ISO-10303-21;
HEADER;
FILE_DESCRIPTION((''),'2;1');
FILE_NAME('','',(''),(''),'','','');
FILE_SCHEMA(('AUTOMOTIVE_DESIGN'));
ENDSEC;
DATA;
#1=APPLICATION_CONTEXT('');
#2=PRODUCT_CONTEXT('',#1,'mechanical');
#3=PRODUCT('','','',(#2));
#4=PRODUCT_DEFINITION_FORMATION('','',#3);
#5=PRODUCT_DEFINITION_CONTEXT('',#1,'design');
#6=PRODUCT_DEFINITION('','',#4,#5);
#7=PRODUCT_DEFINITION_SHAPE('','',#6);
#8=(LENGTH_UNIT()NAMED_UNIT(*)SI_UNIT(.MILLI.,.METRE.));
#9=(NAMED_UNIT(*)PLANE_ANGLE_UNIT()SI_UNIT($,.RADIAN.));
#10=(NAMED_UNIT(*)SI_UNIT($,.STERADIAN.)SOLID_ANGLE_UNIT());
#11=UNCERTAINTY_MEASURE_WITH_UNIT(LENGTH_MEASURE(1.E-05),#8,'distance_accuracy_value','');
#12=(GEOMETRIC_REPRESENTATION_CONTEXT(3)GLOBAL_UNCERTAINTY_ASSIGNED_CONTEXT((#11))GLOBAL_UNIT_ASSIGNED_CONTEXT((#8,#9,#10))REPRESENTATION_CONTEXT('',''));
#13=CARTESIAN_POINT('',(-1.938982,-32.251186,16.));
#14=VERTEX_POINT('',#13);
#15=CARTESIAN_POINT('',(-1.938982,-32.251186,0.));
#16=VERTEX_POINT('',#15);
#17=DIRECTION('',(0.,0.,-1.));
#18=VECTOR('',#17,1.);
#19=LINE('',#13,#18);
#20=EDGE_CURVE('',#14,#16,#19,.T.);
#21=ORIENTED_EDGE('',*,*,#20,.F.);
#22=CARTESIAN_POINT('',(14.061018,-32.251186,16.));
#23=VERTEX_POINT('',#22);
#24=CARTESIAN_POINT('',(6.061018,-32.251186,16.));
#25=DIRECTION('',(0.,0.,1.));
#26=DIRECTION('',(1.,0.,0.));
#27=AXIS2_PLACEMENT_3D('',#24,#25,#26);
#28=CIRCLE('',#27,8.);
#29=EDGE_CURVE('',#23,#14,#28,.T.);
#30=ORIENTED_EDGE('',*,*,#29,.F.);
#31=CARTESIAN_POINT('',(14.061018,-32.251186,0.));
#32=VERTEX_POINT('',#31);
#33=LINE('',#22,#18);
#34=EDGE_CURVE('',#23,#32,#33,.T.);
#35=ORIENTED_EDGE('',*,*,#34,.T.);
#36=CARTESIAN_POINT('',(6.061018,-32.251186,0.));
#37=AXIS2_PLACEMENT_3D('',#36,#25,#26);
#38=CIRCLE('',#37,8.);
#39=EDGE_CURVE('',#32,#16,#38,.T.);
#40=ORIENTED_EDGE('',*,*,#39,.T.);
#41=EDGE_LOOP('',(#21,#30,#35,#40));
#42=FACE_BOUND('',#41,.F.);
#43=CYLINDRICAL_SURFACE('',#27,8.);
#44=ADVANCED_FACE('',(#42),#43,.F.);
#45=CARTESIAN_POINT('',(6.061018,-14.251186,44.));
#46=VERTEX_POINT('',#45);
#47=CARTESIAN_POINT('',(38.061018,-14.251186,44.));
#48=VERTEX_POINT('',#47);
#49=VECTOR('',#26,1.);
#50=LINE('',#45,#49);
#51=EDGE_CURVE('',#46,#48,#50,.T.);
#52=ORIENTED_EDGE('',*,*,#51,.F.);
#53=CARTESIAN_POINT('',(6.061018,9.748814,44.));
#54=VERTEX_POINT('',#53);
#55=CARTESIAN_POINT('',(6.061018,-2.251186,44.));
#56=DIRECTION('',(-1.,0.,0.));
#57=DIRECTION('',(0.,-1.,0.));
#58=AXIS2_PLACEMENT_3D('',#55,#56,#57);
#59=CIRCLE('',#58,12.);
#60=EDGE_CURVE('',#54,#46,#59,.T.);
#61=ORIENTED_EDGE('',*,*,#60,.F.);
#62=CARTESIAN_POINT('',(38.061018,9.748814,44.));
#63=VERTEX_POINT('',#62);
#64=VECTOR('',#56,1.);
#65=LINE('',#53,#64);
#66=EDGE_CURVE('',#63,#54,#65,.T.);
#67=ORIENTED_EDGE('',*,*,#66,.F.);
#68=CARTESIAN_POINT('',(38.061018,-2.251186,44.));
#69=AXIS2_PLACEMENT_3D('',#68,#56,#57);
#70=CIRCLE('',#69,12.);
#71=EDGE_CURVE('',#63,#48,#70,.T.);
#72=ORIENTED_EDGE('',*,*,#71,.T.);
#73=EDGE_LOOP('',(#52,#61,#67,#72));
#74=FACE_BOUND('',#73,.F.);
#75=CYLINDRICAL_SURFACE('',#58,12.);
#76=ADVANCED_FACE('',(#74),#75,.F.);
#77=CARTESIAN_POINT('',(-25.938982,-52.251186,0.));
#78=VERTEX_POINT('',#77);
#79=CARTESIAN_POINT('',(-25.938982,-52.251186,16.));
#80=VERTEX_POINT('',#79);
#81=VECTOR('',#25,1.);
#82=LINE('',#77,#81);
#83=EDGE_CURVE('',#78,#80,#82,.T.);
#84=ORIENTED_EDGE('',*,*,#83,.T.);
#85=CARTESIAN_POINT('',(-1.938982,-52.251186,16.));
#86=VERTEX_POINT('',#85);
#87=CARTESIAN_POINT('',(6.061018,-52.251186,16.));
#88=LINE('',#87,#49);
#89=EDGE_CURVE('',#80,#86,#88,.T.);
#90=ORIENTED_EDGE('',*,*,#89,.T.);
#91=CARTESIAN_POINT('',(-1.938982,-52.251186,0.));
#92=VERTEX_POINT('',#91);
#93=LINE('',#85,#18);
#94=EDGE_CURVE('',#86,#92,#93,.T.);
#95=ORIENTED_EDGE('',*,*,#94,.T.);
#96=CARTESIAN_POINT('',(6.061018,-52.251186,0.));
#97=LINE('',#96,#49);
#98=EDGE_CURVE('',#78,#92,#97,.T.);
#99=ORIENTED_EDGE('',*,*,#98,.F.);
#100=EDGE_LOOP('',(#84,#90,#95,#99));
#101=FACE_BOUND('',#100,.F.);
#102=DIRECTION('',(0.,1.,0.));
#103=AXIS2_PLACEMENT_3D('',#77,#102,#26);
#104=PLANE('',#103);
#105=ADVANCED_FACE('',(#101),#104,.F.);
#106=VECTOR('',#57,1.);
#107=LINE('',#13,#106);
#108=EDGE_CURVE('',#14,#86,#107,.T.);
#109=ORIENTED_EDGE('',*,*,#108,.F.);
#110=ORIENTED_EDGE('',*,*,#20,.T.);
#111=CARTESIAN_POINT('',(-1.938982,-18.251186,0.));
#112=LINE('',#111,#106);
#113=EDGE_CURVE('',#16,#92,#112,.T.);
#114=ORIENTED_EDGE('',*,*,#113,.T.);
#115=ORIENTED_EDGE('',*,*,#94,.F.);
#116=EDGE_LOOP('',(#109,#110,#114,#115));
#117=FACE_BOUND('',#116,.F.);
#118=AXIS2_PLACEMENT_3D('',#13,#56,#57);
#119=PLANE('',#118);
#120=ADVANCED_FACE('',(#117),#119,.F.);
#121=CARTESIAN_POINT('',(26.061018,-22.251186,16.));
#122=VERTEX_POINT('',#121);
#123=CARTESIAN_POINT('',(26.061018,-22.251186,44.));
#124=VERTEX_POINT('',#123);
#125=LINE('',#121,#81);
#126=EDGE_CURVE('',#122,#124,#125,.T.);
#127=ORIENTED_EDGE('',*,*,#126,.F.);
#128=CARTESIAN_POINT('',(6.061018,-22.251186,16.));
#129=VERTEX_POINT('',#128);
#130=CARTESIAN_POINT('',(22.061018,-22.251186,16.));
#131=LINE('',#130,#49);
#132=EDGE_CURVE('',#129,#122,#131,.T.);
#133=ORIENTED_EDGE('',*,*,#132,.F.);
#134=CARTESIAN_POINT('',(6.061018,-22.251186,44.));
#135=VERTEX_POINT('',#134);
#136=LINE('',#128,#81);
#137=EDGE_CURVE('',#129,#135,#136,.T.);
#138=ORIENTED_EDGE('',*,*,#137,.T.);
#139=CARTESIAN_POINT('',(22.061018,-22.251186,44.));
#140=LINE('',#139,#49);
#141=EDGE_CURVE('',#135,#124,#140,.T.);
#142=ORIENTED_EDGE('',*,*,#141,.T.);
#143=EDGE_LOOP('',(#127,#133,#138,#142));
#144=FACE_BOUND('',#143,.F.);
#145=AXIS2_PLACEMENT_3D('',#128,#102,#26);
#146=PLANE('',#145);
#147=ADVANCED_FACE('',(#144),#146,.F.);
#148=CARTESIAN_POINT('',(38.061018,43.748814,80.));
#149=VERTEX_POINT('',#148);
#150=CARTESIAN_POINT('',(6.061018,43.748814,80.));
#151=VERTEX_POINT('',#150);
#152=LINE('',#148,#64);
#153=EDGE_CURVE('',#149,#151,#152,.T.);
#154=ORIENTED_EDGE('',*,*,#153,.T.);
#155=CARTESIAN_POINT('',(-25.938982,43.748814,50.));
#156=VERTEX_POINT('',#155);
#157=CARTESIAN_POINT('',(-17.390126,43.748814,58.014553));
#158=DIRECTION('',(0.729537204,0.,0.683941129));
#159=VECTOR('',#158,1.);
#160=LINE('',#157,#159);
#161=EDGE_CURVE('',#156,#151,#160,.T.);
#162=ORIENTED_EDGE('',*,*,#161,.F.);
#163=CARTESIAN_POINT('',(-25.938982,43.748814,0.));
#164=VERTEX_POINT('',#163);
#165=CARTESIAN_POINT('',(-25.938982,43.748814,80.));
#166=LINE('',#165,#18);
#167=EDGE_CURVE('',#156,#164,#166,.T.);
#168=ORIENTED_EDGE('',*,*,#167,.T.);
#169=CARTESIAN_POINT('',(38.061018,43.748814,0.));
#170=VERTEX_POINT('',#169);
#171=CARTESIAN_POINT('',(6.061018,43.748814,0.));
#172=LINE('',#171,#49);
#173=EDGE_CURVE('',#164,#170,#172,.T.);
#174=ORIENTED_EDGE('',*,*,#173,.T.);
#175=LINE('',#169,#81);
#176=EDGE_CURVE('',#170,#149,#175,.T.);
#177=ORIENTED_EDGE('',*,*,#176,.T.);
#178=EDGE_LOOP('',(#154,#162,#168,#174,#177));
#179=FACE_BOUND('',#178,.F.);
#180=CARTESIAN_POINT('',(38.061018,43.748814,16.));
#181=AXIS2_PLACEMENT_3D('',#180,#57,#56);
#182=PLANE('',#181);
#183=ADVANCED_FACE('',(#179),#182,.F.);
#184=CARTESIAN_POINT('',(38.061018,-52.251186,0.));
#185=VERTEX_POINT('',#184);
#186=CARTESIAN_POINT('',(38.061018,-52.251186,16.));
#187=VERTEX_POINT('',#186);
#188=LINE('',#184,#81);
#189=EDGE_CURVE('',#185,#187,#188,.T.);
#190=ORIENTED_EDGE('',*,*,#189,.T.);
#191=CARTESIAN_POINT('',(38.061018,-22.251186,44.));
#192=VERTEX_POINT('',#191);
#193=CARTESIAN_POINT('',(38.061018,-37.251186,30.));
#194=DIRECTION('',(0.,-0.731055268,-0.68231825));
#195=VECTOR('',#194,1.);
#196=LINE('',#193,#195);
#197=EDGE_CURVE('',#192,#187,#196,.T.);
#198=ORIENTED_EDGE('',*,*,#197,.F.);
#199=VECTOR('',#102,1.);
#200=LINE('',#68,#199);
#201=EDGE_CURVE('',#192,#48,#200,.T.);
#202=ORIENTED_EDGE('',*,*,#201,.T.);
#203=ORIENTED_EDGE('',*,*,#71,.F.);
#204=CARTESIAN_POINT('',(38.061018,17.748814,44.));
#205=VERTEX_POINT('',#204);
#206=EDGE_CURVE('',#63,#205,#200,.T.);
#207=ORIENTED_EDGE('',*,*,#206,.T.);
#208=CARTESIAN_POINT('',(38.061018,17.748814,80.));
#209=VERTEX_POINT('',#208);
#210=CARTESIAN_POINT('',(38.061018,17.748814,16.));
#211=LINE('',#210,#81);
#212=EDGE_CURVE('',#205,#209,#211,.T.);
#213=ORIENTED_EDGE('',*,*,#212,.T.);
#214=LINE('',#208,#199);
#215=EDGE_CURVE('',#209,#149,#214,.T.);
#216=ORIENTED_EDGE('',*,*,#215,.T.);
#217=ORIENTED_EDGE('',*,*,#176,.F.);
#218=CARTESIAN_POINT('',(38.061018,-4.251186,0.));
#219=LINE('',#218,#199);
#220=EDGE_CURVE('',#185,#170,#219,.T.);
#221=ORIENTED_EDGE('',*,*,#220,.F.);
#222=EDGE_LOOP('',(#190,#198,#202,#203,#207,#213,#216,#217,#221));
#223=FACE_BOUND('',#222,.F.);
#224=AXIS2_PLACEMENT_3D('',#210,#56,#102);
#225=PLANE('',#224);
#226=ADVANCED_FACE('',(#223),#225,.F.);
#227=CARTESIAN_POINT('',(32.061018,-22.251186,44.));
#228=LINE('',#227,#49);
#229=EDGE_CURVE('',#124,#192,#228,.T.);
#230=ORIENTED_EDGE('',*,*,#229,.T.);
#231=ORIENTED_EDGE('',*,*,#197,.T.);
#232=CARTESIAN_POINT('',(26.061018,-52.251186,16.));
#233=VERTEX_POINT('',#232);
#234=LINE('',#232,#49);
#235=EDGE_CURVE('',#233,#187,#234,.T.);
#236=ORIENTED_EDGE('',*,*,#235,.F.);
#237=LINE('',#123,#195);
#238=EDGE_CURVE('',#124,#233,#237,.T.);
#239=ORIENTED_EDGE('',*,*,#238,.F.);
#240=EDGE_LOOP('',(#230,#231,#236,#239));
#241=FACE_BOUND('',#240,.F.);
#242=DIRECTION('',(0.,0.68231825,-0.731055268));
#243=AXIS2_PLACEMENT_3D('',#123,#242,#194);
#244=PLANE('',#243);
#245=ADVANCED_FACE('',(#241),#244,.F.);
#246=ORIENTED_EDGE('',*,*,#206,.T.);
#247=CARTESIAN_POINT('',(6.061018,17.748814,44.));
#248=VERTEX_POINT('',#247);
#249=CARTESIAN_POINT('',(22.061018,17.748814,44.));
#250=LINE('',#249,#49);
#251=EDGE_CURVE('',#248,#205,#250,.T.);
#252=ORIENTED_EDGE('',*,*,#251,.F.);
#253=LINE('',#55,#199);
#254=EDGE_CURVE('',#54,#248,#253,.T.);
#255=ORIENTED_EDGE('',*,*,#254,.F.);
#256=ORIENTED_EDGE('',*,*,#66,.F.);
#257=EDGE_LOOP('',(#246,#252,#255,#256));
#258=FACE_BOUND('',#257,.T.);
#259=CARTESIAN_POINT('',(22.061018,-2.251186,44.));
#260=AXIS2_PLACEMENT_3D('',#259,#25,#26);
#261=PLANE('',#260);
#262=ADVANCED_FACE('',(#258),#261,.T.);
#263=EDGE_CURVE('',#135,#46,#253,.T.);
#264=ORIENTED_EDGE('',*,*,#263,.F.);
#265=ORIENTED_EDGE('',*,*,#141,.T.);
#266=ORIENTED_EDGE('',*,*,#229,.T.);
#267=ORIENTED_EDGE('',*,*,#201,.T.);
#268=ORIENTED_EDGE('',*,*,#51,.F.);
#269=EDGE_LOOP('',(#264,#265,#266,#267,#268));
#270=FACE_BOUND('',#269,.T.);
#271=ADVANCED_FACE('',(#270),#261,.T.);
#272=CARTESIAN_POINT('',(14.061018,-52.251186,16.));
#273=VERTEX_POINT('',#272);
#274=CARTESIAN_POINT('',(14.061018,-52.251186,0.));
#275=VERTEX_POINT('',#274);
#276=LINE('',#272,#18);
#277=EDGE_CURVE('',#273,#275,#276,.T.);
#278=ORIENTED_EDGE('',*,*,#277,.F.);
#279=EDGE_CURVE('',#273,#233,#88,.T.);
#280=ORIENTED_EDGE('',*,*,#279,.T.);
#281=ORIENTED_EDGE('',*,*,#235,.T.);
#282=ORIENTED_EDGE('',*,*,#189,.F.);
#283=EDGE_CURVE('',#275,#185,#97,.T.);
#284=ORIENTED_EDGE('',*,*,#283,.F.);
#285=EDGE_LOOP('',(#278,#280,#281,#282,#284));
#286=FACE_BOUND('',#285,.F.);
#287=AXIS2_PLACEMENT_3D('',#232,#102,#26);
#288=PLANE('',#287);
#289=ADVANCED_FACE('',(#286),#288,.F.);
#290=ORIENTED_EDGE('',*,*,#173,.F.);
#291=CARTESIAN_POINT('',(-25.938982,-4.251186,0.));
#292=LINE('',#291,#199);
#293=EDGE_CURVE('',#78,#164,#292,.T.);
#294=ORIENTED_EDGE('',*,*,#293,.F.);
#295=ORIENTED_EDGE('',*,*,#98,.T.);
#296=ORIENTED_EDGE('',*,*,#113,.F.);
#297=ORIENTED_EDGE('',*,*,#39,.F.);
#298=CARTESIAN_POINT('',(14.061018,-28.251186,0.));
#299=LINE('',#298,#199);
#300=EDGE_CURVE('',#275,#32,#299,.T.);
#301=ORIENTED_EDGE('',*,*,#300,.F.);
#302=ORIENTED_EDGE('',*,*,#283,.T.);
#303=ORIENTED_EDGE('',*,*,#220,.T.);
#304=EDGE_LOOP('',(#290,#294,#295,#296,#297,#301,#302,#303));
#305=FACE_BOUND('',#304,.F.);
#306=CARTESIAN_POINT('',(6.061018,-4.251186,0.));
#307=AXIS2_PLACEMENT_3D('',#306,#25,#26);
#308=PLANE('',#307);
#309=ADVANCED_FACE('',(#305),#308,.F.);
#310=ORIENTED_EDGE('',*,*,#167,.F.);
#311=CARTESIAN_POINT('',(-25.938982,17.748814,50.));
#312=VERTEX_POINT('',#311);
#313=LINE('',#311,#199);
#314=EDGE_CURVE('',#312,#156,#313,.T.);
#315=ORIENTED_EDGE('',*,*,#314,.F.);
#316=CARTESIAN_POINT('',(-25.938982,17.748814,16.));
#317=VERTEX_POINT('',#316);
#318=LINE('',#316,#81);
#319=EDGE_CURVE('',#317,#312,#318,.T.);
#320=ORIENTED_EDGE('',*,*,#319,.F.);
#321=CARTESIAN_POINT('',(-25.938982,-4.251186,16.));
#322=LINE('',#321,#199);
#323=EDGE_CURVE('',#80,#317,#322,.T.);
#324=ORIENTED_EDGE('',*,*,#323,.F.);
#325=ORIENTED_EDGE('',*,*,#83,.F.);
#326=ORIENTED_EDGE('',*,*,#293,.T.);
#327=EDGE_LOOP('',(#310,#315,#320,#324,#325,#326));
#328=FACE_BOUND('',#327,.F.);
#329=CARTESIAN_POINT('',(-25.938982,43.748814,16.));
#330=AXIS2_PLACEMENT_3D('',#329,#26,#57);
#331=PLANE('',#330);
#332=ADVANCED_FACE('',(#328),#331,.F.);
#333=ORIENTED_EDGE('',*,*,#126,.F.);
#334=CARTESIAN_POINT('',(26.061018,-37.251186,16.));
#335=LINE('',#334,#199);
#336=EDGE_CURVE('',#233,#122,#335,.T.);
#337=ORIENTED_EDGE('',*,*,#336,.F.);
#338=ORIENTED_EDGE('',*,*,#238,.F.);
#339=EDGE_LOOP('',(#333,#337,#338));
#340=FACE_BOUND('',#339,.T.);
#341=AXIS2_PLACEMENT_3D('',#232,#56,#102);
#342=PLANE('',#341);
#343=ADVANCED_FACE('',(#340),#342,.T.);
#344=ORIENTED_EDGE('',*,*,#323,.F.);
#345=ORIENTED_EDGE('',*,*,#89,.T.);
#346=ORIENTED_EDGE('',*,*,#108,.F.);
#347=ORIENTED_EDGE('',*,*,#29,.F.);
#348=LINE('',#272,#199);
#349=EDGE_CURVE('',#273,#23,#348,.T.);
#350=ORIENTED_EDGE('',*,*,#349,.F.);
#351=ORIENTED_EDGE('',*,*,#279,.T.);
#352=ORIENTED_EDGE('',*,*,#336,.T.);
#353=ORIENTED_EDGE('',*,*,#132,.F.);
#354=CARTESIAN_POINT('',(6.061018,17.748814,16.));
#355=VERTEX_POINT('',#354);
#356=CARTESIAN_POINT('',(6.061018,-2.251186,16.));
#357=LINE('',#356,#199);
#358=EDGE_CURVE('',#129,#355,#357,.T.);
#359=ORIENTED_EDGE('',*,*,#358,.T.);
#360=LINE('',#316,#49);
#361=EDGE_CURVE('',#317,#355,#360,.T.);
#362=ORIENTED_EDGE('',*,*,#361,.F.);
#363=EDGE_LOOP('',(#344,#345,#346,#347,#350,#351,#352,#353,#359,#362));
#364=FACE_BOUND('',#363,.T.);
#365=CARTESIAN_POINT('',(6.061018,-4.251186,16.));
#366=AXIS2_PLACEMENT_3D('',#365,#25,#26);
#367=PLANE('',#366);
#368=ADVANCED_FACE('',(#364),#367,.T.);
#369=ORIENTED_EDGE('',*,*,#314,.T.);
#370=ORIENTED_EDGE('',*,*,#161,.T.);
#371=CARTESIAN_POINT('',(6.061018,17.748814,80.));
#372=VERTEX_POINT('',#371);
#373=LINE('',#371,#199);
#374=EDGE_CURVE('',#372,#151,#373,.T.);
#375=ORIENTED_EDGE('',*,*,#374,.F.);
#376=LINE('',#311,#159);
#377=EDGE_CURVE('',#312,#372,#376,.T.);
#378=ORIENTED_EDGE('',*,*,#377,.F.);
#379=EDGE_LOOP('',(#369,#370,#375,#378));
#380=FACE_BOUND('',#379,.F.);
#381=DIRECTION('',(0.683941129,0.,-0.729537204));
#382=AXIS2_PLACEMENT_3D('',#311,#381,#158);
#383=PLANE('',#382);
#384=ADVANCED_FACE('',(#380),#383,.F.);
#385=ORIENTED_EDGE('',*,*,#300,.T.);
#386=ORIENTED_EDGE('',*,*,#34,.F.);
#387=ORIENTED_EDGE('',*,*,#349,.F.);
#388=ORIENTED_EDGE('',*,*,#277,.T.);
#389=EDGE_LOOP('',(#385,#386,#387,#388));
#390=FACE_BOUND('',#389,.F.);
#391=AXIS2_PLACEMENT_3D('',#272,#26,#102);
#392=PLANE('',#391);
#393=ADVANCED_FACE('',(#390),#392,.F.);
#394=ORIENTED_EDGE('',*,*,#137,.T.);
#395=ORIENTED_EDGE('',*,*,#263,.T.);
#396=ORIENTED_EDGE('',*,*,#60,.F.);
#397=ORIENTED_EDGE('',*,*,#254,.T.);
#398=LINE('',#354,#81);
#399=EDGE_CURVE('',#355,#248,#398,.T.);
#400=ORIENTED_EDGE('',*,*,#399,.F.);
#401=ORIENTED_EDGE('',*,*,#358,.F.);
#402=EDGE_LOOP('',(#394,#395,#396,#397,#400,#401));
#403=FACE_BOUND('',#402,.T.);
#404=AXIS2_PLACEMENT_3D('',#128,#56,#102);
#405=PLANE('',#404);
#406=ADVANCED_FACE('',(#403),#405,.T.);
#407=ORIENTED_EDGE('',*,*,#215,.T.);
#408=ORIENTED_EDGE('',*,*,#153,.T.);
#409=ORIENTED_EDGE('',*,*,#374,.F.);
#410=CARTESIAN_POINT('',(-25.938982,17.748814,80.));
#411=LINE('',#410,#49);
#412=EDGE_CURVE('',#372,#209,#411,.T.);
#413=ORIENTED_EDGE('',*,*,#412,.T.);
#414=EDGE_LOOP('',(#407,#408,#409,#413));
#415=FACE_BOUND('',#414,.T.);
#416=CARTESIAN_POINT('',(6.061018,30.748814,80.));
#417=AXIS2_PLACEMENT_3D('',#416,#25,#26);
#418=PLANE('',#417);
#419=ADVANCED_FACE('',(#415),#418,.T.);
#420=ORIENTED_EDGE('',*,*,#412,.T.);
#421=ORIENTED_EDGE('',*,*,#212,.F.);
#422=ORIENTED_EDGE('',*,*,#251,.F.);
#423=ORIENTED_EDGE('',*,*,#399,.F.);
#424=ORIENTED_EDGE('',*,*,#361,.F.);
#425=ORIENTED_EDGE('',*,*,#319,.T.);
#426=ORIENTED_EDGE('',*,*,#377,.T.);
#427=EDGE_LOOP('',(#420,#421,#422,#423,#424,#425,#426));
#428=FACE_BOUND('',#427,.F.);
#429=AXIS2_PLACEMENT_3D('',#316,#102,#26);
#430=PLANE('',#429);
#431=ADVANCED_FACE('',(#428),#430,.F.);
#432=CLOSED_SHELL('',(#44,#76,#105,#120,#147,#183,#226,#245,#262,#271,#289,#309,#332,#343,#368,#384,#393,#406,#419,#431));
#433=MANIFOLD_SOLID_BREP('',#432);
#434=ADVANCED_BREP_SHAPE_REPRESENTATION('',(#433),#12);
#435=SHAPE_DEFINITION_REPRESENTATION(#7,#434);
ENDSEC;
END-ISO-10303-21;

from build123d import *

# Parameters (mm, degrees)
F0_W      = 64
F0_H      = 96
F1_DEPTH  = 16
F3_DEPTH  = 25
F4_W      = 12
F4_H      = 30
F5_DEPTH  = 28
F7_DEPTH  = 25
F8_W      = 32
F8_H      = 40
F9_DEPTH  = 28
F10_R     = 12
F11_DEPTH = 52
F13_DEPTH = 64
F15_DEPTH = 30


with BuildPart() as f1:
    # F0 (on Top) → F1 (new body)
    with BuildSketch(Plane.XY):
        with Locations((6.061017856, -4.2511862218)):
            Rectangle(F0_W, F0_H)
    extrude(amount=F1_DEPTH)

    # F2 (on face) → F3 (cut)
    with BuildSketch(Plane.XY.offset(16)):
        with BuildLine():
            Line((-1.938982144, -32.2511862218), (-1.938982144, -52.2511862218))
            Line((-1.938982144, -52.2511862218), (14.061017856, -52.2511862218))
            Line((14.061017856, -52.2511862218), (14.061017856, -32.2511862218))
            ThreePointArc((14.061017856, -32.2511862218), (6.061017856, -40.2511862218), (-1.938982144, -32.2511862218))
        make_face()
        with BuildLine():
            ThreePointArc((14.061017856, -32.2511862218), (6.061017856, -24.2511862218), (-1.938982144, -32.2511862218))
            Line((-1.938982144, -32.2511862218), (14.061017856, -32.2511862218))
        make_face()
        with BuildLine():
            Line((14.061017856, -32.2511862218), (-1.938982144, -32.2511862218))
            ThreePointArc((-1.938982144, -32.2511862218), (6.061017856, -40.2511862218), (14.061017856, -32.2511862218))
        make_face()
    extrude(amount=-F3_DEPTH, mode=Mode.SUBTRACT)

    # F4 (on face) → F5 (join)
    with BuildSketch(Plane.XY.offset(16)):
        with Locations((32.061017856, -37.2511862218)):
            Rectangle(F4_W, F4_H)
    extrude(amount=F5_DEPTH)

    # F6 (on face) → F7 (cut)
    with BuildSketch(Plane(origin=(26.061017856, 0, 0), x_dir=(0, -1, 0), z_dir=(-1, 0, 0))):
        Polygon((52.2511862218, 44), (22.2511862218, 44), (52.2511862218, 16), align=None)
    extrude(amount=-F7_DEPTH, mode=Mode.SUBTRACT)

    # F8 (on face) → F9 (join)
    with BuildSketch(Plane.XY.offset(16)):
        with Locations((22.061017856, -2.2511862218)):
            Rectangle(F8_W, F8_H)
    extrude(amount=F9_DEPTH)

    # F10 (on face) → F11 (cut)
    with BuildSketch(Plane(origin=(6.061017856, 0, 0), x_dir=(0, -1, 0), z_dir=(-1, 0, 0))):
        with Locations((2.2511862218, 44)):
            Circle(F10_R)
    extrude(amount=-F11_DEPTH, mode=Mode.SUBTRACT)

    # F12 (on face) → F13 (join)
    with BuildSketch(Plane.XY.offset(16)):
        Polygon((-25.938982144, 17.7488137782), (6.061017856, 17.7488137782), (38.061017856, 17.7488137782), (38.061017856, 43.7488137782), (-25.938982144, 43.7488137782), align=None)
    extrude(amount=F13_DEPTH)

    # F14 (on face) → F15 (cut)
    with BuildSketch(Plane.XZ.offset(-17.7488137782)):
        Polygon((-25.938982144, 50), (6.061017856, 80), (-25.938982144, 80), align=None)
    extrude(amount=-F15_DEPTH, mode=Mode.SUBTRACT)


solid = f1.part
